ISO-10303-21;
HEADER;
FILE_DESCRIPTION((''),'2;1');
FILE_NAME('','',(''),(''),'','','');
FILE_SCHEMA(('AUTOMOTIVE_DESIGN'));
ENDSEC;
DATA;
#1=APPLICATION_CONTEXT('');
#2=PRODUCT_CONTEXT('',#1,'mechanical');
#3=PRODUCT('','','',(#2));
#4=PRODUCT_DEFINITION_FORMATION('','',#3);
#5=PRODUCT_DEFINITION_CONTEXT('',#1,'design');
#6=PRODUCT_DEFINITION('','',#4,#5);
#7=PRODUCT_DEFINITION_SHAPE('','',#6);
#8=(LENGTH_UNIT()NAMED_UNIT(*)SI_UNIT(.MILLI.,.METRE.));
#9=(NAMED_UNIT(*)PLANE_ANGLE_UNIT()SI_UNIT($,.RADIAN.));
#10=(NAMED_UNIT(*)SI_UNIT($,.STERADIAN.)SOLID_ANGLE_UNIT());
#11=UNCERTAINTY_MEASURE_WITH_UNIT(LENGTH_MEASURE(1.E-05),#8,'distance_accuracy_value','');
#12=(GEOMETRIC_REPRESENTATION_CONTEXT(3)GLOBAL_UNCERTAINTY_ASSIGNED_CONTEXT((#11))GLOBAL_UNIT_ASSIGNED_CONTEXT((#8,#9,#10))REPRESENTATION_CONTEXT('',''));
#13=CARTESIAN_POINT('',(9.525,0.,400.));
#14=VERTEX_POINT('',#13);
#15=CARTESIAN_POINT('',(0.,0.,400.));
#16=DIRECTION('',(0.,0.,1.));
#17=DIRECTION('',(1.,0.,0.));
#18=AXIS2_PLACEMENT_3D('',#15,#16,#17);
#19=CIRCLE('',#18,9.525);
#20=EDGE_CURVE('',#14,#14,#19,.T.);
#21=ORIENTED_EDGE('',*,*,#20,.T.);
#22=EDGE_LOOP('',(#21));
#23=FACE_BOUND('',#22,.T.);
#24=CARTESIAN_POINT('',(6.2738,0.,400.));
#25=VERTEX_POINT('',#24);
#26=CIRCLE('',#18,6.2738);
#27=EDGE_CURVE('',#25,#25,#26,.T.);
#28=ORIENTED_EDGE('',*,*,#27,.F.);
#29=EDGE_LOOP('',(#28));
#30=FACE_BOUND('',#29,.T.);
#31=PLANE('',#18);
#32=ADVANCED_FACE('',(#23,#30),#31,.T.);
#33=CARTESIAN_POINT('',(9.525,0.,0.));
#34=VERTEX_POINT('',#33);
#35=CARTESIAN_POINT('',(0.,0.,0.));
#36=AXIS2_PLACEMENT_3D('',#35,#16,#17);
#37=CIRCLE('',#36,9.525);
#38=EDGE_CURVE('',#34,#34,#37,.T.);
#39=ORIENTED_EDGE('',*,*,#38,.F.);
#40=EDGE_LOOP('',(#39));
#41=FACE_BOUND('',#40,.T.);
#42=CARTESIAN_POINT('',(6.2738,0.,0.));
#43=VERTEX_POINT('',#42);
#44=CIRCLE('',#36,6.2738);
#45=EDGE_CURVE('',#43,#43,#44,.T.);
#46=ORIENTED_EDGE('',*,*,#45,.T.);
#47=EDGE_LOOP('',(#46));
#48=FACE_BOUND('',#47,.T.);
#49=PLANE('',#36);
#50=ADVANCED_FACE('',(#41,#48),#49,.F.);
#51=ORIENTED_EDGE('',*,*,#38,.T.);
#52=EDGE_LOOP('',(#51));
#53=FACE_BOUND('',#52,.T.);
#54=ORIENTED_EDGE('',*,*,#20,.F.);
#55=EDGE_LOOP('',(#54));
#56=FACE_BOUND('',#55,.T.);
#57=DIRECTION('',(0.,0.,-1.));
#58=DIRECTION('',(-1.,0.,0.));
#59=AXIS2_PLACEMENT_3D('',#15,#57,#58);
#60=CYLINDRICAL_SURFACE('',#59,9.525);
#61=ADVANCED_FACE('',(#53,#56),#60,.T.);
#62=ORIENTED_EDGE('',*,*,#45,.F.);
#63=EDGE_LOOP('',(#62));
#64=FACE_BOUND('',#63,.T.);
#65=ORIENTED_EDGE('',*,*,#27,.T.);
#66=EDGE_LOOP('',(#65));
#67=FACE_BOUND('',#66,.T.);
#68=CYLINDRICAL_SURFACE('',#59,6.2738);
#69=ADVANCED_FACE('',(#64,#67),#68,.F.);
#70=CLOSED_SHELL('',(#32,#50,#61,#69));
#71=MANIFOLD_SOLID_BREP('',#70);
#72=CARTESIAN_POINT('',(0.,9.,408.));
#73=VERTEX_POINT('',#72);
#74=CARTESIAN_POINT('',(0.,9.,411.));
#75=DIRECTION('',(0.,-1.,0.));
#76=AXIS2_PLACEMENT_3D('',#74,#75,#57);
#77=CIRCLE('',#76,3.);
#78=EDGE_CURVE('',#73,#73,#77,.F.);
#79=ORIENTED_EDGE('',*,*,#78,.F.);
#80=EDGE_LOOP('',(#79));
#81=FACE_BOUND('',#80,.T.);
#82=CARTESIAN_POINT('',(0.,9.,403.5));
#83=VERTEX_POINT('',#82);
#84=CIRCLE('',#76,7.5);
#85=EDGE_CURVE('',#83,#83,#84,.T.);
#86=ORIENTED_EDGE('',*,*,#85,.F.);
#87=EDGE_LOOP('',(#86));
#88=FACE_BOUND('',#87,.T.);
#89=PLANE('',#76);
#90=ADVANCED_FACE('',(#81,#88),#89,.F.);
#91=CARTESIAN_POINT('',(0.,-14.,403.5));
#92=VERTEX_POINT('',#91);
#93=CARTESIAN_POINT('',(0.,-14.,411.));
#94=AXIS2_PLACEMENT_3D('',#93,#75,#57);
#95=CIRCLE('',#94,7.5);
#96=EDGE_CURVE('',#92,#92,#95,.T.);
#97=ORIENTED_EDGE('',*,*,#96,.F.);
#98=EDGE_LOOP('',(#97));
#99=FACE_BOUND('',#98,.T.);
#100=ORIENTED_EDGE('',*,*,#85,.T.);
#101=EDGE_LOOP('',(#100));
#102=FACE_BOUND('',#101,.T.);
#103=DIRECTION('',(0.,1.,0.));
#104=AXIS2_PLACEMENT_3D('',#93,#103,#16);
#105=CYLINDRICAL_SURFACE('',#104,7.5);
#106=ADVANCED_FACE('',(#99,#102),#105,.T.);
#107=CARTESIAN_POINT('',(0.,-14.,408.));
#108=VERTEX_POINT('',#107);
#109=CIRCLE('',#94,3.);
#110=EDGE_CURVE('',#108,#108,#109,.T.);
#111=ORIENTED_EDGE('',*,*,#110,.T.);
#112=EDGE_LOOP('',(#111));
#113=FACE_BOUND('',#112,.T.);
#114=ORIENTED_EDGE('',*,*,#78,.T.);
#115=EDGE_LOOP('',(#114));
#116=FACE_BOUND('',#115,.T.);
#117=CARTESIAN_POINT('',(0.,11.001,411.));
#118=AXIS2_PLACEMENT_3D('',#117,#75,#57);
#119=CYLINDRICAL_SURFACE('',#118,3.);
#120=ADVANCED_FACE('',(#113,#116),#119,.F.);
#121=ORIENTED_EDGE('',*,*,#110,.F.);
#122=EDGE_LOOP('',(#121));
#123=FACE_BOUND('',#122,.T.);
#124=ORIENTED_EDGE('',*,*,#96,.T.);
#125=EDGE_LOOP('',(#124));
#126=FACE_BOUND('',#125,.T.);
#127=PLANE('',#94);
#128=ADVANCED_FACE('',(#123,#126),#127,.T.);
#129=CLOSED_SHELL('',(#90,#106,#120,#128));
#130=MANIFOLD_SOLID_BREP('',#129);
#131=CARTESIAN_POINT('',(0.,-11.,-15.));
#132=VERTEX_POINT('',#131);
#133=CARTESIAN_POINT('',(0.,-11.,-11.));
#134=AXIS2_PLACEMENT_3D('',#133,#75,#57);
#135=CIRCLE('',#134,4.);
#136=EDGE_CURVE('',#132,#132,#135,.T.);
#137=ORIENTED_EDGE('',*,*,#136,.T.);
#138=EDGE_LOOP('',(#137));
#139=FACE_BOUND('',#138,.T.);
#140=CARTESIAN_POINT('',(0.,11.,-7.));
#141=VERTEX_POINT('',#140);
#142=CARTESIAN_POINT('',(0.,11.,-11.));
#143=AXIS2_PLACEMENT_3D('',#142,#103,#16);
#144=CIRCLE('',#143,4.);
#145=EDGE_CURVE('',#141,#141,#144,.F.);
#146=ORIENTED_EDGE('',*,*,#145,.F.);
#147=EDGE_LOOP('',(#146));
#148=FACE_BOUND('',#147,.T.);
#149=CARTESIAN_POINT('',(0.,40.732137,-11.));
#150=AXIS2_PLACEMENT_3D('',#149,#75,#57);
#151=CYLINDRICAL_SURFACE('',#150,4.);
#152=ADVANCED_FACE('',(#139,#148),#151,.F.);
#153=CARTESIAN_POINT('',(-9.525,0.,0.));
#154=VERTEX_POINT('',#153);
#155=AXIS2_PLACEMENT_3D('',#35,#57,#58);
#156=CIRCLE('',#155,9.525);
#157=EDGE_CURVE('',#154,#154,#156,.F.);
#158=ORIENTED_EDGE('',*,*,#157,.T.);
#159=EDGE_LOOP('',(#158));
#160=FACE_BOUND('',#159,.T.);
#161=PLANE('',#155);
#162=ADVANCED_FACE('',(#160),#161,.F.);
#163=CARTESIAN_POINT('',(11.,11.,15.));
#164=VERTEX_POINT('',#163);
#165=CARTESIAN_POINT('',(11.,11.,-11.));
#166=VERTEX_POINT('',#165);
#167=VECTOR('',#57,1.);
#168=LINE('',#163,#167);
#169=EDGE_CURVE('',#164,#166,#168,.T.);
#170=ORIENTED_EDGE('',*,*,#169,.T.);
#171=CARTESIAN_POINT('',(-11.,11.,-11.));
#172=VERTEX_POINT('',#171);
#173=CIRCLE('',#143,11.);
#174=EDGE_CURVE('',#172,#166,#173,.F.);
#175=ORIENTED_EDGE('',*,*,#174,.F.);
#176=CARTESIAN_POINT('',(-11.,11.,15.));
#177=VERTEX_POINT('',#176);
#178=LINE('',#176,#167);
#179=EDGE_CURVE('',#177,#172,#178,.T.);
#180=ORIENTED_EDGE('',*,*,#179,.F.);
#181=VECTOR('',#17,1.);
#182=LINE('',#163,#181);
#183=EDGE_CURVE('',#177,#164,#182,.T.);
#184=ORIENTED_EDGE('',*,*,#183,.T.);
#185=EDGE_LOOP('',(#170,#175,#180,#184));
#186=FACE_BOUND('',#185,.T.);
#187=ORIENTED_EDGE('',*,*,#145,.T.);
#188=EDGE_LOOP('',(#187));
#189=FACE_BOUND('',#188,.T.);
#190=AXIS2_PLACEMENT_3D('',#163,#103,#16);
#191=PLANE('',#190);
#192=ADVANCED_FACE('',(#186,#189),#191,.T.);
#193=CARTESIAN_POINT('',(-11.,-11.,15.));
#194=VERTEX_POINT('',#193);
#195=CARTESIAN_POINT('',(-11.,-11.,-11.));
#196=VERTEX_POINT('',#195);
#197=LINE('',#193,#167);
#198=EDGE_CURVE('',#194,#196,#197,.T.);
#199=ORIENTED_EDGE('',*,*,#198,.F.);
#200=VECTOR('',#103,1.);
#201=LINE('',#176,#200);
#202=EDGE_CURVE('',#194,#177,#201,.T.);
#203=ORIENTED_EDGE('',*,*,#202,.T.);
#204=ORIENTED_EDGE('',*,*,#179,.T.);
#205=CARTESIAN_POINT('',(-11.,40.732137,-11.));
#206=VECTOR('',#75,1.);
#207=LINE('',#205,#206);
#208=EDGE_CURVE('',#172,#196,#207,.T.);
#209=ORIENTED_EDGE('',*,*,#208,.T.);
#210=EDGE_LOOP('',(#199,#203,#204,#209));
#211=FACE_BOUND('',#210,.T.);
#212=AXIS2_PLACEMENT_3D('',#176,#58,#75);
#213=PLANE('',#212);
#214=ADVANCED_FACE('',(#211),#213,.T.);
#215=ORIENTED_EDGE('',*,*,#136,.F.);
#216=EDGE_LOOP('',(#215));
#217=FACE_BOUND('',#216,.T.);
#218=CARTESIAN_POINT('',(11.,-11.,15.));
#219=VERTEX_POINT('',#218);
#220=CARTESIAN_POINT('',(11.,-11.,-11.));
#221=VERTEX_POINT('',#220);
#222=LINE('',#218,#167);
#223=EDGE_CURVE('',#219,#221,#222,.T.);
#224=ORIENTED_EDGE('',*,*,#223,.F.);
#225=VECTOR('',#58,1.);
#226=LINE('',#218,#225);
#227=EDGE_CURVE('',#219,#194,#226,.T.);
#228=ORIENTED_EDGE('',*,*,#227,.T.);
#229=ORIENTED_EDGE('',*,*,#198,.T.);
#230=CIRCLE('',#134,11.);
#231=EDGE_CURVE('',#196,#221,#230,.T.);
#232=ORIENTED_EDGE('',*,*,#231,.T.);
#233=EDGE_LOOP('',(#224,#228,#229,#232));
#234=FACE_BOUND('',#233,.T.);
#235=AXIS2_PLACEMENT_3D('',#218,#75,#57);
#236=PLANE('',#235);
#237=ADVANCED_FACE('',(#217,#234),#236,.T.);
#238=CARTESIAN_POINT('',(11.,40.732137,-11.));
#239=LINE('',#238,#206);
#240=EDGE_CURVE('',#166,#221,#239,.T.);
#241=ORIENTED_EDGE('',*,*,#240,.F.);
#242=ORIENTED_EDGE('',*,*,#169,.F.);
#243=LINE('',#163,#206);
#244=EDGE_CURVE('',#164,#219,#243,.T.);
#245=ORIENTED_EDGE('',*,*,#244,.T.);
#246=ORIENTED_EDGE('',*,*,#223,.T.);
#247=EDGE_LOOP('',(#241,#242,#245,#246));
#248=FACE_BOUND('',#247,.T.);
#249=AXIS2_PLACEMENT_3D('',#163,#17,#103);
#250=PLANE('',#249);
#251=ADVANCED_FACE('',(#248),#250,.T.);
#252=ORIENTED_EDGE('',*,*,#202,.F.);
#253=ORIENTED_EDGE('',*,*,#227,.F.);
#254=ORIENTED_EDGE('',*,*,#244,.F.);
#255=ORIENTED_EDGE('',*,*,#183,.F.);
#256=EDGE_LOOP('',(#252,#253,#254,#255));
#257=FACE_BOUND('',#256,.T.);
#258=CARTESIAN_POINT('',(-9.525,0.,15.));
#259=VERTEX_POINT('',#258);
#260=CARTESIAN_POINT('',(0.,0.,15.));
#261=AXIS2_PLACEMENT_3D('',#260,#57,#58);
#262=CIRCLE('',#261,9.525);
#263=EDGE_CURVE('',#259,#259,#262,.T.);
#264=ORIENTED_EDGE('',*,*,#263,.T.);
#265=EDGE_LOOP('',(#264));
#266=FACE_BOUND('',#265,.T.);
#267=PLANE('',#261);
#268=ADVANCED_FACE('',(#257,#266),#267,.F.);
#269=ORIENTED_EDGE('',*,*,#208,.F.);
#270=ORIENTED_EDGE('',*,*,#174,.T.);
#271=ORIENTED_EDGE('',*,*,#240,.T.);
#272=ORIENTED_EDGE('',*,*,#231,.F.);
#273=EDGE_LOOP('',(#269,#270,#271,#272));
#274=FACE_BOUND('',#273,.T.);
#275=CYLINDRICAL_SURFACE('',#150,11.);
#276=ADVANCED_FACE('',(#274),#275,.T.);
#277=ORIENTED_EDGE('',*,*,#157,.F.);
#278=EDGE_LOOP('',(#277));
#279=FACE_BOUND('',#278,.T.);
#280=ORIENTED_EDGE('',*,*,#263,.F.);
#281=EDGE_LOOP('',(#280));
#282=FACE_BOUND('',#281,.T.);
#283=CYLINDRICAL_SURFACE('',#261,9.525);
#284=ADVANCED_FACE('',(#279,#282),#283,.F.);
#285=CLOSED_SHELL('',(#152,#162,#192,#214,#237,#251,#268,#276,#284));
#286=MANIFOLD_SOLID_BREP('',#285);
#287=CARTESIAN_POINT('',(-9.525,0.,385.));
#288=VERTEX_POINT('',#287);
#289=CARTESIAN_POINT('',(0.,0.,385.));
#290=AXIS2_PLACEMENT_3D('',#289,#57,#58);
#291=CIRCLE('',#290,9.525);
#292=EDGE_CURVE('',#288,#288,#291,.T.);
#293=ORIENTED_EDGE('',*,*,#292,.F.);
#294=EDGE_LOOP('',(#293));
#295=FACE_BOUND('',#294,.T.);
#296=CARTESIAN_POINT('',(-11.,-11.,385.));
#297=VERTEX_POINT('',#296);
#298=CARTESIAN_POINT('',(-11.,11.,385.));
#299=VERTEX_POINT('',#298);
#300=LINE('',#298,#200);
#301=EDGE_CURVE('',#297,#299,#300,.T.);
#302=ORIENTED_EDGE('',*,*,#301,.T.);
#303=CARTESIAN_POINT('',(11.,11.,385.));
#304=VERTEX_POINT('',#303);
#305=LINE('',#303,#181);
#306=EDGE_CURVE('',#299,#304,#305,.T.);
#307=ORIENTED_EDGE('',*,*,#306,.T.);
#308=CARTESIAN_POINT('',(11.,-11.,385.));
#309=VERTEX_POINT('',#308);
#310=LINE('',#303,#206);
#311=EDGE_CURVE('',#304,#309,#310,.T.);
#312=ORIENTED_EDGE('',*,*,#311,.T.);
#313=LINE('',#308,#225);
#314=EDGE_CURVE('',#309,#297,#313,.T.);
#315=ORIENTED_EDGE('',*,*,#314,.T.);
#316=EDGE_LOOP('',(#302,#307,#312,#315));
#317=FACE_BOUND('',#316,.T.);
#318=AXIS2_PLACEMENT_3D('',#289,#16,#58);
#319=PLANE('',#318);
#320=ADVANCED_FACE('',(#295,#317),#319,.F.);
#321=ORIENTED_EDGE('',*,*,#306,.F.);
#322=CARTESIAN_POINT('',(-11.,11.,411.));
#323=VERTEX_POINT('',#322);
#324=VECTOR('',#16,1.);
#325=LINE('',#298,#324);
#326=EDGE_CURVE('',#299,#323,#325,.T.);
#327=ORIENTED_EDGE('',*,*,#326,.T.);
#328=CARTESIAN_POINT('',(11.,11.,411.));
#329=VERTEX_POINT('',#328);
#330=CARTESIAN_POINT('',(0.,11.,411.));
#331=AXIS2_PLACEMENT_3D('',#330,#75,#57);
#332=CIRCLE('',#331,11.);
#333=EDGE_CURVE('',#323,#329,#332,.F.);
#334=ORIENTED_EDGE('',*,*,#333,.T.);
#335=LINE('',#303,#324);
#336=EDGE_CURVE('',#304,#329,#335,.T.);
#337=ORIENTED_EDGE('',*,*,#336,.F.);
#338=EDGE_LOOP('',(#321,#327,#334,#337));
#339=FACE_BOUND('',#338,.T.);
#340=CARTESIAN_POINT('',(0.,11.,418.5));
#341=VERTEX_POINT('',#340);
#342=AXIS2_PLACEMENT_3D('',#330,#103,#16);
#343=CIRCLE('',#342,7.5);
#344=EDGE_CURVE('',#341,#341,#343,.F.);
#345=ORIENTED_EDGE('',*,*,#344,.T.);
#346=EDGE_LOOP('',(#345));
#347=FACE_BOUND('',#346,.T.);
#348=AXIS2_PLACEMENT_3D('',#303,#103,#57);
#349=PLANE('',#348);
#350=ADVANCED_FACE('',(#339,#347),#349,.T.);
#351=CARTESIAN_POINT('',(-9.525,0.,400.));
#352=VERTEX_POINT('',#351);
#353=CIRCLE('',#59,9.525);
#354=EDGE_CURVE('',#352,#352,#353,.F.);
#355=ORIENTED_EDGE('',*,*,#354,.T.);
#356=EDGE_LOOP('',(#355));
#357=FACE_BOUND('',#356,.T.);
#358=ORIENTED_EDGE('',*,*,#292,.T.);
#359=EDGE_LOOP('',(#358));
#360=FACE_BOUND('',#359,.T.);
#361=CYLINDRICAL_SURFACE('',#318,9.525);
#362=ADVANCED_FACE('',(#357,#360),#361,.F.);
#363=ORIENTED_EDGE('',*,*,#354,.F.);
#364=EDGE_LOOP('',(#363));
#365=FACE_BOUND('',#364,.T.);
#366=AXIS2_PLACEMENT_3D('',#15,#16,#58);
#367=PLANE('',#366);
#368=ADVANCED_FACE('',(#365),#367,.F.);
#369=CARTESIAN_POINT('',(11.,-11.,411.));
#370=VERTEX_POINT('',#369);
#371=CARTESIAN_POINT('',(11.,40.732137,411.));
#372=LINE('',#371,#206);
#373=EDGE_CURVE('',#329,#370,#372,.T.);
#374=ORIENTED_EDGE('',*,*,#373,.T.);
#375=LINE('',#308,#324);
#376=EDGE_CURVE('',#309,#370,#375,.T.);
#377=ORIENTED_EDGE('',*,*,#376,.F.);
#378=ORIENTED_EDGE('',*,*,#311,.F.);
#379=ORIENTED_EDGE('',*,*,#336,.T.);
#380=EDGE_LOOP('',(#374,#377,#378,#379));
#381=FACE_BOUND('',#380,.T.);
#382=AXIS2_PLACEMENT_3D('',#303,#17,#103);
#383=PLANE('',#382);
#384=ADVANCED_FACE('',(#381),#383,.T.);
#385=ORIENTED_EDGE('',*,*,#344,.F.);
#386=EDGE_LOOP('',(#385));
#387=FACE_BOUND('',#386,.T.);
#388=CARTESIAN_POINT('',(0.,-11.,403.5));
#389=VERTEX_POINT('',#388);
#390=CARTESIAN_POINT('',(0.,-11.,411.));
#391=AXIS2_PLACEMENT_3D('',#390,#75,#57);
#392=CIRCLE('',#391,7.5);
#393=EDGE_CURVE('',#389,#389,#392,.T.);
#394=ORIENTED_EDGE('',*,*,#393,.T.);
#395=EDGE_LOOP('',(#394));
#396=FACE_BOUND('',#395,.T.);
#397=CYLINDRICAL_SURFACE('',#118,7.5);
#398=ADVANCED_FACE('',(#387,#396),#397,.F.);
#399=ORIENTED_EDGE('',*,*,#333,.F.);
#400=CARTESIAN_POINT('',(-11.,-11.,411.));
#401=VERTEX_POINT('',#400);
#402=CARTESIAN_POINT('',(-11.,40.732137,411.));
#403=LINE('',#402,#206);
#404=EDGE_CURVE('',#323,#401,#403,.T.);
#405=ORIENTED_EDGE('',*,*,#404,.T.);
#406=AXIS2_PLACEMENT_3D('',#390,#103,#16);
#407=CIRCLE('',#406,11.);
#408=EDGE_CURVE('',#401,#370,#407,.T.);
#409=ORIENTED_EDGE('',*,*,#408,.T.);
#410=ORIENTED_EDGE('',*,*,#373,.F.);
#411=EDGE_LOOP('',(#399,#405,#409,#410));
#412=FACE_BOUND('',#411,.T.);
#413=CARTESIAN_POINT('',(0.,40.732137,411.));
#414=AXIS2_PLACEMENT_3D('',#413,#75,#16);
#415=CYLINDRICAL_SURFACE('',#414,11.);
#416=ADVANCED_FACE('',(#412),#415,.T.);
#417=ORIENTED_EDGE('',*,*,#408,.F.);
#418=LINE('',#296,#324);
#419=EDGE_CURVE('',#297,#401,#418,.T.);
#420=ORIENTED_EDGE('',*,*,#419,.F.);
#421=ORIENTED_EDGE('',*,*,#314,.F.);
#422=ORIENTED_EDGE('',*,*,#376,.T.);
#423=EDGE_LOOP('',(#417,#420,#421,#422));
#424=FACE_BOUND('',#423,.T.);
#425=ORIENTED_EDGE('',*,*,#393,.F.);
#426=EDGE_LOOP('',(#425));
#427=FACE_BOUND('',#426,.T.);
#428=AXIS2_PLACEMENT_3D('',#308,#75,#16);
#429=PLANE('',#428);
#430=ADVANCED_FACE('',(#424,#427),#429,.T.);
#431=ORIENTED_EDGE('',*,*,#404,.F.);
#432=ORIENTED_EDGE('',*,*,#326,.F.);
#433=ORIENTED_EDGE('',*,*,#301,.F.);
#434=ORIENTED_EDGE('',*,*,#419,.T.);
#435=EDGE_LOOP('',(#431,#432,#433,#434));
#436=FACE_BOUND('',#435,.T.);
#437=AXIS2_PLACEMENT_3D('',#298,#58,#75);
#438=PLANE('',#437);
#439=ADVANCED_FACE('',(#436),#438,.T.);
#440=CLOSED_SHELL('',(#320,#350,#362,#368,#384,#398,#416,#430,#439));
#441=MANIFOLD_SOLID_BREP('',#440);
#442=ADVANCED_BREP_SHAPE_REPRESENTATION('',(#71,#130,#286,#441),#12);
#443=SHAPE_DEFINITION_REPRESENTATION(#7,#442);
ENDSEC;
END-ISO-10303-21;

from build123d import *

# Parameters (mm, degrees)
SKETCH1_R                = 9.525
SKETCH1_R_2              = 6.2738
BOSS_EXTRUDE1_DEPTH      = 400
SKETCH2_W                = 22
SKETCH2_H                = 22
SKETCH2_R                = 9.525
BOSS_EXTRUDE2_DEPTH      = 15
SKETCH2_2_W              = 22
SKETCH2_2_H              = 22
BOSS_EXTRUDE3_DEPTH      = 2
SKETCH3_R                = 4
BOSS_EXTRUDE4_DEPTH      = 22
SKETCH4_R                = 7.5
CUT_EXTRUDE1_DEPTH       = 22
BOSS_EXTRUDE5_DEPTH      = 3
BOSS_EXTRUDE5_DEPTH_BACK = 20
SKETCH6_R                = 7.5
SKETCH8_R                = 3
CUT_EXTRUDE2_DEPTH       = 23


with BuildPart() as part:
    # Sketch1 → Boss-Extrude1 (new body)
    with BuildSketch(Plane.XY):
        Circle(SKETCH1_R)
        Circle(SKETCH1_R_2, mode=Mode.SUBTRACT)
    extrude(amount=BOSS_EXTRUDE1_DEPTH)


with BuildPart() as body_2:
    # Sketch2 → Boss-Extrude2 (new body)
    with BuildSketch(Plane(origin=(0, 0, 0), x_dir=(-1, 0, 0), z_dir=(0, 0, -1))):
        Rectangle(SKETCH2_W, SKETCH2_H)
        with Locations(Location((0, 0, 0), (0, 0, 180))):
            Circle(SKETCH2_R, mode=Mode.SUBTRACT)
    extrude(amount=-BOSS_EXTRUDE2_DEPTH)


with BuildPart() as body_3:
    # Sketch2<2> → Boss-Extrude3 (new body)
    with BuildSketch(Plane(origin=(0, 0, 0), x_dir=(-1, 0, 0), z_dir=(0, 0, -1))):
        Rectangle(SKETCH2_2_W, SKETCH2_2_H)
    extrude(amount=BOSS_EXTRUDE3_DEPTH)


with BuildPart() as body_2_1:
    add(body_2.part)

    # Combine1: union body 3
    add(body_3.part)

    # Sketch3 → Boss-Extrude4 (add)
    with BuildSketch(Plane.XZ.offset(11)):
        with BuildLine():
            Line((11, -2), (11, -11))
            ThreePointArc((11, -11), (0, -22), (-11, -11))
            Line((-11, -11), (-11, -2))
            Line((-11, -2), (11, -2))
        make_face()
        with Locations(Location((0, -11, 0), (0, 0, 270))):
            Circle(SKETCH3_R, mode=Mode.SUBTRACT)
    extrude(amount=-BOSS_EXTRUDE4_DEPTH)


with BuildPart() as body_3_2:
    # Mirror7: mirrored copy
    add(body_2_1.part.mirror(Plane(origin=(0, 0, 200), x_dir=(1, 0, 0), z_dir=(0, 0, -1))))

    # Sketch4 → Cut-Extrude1 (cut)
    with BuildSketch(Plane.XZ.offset(11)):
        with Locations(Location((0, 411, 0), (0, 0, 270))):
            Circle(SKETCH4_R)
    extrude(amount=-CUT_EXTRUDE1_DEPTH, mode=Mode.SUBTRACT)


with BuildPart() as body_4:
    # Sketch6 → Boss-Extrude5 (new, two sides: drawn at the far end of the back side and taken through both)
    with BuildSketch(Plane.XZ.offset(11).offset(-BOSS_EXTRUDE5_DEPTH_BACK)):
        with Locations(Location((0, 411, 0), (0, 0, 270))):
            Circle(SKETCH6_R)
    extrude(amount=BOSS_EXTRUDE5_DEPTH + BOSS_EXTRUDE5_DEPTH_BACK)

    # Sketch8 → Cut-Extrude2 (cut)
    with BuildSketch(Plane.XZ.offset(14)):
        with Locations(Location((0, 411, 0), (0, 0, 270))):
            Circle(SKETCH8_R)
    extrude(amount=-CUT_EXTRUDE2_DEPTH, mode=Mode.SUBTRACT)


solid = Compound([part.part, body_2_1.part, body_3_2.part, body_4.part])
